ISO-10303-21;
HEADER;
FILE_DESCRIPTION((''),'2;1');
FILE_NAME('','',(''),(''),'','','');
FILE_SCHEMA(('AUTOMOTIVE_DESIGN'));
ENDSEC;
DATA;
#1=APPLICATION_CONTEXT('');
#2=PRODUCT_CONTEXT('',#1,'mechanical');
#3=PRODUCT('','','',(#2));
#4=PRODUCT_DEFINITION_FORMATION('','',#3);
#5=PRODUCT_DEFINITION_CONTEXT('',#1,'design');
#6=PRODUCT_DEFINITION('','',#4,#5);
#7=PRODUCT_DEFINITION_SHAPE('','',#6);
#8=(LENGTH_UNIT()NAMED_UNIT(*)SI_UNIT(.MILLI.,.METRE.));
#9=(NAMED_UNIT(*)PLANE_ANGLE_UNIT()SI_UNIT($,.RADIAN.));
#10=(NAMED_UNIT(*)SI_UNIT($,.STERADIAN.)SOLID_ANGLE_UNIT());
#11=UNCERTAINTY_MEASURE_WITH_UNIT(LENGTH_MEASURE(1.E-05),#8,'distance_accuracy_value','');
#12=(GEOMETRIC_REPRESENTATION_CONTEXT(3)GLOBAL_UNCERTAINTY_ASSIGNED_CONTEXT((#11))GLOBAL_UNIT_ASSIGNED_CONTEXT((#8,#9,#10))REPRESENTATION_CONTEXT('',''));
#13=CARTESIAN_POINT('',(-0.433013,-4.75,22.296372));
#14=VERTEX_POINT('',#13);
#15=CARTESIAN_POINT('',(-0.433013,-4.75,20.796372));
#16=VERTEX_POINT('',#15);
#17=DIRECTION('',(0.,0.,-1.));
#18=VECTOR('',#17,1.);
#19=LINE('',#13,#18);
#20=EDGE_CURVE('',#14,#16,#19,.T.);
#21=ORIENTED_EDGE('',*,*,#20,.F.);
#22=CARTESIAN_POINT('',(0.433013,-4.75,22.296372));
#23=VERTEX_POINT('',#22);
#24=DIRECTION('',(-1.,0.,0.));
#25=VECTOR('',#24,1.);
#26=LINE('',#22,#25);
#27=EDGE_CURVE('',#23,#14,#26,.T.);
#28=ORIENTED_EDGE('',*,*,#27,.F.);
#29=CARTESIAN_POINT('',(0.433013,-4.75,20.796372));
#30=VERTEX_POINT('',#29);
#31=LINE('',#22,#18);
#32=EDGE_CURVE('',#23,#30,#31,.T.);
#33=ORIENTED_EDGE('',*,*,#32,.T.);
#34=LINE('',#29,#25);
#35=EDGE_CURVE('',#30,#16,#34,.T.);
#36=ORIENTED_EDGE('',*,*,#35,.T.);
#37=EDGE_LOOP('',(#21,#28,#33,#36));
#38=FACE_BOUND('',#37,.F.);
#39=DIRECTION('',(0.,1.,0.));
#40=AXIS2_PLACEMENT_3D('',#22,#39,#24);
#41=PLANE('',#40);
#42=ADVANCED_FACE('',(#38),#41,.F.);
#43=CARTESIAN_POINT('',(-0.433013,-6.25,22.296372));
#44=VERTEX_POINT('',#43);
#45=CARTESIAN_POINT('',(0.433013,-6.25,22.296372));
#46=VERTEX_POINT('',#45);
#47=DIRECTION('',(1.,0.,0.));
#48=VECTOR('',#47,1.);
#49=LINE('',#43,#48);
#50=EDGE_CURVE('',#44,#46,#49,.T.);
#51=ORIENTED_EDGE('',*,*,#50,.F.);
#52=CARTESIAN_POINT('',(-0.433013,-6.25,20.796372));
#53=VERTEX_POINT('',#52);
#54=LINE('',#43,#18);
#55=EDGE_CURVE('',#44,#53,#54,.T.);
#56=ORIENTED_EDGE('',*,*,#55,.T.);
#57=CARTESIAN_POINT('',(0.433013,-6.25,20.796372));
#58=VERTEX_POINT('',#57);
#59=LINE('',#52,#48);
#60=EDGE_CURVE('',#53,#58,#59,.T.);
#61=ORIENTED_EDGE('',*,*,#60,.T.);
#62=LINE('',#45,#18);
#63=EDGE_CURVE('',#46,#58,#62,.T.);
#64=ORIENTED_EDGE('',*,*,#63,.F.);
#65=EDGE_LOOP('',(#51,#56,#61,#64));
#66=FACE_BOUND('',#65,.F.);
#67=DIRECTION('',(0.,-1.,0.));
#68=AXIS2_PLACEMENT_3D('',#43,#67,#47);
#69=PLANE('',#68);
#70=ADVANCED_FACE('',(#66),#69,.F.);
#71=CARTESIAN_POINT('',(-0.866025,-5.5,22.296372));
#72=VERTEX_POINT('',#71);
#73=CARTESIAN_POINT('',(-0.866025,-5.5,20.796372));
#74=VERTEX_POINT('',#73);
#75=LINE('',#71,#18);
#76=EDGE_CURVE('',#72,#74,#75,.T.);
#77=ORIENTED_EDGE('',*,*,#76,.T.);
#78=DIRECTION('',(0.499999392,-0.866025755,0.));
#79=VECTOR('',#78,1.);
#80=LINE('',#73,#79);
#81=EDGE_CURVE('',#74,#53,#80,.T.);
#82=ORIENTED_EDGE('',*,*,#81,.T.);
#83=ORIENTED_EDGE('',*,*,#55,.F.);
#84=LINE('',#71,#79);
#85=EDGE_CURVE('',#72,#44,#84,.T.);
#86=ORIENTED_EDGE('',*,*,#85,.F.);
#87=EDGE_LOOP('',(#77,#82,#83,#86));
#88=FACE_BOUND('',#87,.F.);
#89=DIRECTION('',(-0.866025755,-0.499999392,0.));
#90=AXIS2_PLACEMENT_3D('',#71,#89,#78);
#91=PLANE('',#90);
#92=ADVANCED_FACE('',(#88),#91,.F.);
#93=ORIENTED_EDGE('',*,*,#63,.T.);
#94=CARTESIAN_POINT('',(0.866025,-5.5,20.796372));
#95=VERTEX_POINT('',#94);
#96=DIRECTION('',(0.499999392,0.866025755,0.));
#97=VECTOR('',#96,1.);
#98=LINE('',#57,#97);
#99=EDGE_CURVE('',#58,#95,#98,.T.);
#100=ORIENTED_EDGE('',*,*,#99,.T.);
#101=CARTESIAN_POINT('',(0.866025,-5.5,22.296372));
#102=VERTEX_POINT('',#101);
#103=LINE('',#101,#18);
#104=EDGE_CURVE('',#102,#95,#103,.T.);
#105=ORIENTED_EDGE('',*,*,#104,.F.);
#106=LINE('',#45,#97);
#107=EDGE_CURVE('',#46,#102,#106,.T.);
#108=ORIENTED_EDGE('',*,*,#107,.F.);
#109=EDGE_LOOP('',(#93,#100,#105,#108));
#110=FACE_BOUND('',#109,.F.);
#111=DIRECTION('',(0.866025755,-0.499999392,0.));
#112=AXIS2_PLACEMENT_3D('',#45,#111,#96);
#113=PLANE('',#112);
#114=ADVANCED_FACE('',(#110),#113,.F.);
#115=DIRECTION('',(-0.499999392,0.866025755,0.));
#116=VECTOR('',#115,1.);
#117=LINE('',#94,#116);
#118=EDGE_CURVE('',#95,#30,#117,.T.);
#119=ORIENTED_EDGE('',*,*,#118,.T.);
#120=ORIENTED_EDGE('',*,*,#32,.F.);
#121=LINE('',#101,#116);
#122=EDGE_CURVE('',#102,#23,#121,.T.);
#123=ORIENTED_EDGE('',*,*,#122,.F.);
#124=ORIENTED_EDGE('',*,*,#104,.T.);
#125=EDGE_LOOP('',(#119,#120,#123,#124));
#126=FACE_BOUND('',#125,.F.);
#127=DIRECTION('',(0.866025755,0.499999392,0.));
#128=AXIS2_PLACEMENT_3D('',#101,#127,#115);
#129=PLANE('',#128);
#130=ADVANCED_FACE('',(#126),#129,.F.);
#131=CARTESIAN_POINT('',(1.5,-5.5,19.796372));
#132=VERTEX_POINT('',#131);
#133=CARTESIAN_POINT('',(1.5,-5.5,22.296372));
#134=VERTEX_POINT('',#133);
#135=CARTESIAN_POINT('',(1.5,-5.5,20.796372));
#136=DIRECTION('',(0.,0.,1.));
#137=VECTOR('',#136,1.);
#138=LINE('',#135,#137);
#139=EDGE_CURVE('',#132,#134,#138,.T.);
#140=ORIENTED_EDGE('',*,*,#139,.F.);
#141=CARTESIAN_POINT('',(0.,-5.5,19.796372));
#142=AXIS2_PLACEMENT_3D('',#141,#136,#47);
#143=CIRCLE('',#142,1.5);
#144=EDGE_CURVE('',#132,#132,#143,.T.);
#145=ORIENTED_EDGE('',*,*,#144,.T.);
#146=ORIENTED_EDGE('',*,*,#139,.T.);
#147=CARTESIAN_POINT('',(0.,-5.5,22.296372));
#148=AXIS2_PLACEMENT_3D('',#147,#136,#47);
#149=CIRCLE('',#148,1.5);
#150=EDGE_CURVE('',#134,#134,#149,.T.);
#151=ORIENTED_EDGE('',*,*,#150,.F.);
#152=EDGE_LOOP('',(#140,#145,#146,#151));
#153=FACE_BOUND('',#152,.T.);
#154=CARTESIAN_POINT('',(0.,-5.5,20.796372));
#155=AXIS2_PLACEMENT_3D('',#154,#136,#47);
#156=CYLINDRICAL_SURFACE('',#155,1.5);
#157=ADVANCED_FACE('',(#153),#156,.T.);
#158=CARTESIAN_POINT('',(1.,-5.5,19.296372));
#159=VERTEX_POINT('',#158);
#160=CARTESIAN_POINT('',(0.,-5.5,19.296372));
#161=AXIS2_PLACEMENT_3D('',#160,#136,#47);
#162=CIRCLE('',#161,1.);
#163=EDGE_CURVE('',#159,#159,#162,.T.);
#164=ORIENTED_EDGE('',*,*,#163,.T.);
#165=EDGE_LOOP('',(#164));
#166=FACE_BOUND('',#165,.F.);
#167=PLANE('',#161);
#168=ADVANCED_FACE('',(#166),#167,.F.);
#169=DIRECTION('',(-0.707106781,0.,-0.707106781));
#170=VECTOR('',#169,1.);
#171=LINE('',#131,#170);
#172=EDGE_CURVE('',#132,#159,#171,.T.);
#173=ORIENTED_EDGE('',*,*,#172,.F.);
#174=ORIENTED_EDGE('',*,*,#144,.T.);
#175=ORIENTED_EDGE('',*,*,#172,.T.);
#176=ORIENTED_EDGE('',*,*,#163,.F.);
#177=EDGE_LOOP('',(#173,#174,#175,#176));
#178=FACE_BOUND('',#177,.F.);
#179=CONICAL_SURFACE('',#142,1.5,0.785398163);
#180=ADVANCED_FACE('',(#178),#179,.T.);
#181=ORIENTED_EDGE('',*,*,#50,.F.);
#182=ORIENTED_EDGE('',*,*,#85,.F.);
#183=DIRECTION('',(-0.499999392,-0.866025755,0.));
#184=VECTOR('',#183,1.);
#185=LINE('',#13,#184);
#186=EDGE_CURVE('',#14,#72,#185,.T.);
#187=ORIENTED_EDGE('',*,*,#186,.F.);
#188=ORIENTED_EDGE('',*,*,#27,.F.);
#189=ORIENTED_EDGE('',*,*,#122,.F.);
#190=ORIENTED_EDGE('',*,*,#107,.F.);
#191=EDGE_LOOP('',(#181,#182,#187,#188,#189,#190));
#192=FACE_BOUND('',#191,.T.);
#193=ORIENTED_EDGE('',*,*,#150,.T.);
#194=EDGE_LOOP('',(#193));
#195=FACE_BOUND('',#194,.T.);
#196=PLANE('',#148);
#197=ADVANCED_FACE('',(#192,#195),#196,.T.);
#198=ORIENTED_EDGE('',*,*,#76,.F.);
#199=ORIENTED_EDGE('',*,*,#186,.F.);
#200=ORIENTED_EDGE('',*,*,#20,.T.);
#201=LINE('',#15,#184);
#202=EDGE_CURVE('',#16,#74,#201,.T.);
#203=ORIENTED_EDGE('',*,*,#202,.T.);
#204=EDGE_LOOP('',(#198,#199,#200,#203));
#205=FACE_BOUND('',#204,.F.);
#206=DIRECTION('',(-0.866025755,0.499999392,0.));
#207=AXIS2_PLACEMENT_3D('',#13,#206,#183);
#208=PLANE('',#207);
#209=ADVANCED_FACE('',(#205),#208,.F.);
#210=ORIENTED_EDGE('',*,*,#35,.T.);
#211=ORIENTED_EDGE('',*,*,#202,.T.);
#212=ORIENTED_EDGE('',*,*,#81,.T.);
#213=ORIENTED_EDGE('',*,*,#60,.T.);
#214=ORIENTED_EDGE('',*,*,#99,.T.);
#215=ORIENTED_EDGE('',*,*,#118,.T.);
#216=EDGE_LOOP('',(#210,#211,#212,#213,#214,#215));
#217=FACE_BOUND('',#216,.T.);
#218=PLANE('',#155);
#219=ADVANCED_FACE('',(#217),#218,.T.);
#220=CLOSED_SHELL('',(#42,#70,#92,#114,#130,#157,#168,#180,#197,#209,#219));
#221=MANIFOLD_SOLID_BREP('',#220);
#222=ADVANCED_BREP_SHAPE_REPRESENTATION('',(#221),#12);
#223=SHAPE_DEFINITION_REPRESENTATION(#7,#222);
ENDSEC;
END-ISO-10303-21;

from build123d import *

# Parameters (mm, degrees)
SKETCH016_W     = 1.5
SKETCH016_H     = 3
CHAMFER001_SIZE = 0.5
POCKET010_DEPTH = 1.5


with BuildPart() as part:
    # Sketch016 (on Face1 of Binder001) → Revolution001 (revolve)
    with BuildSketch(Plane(origin=(0, -5.5, 0), x_dir=(-1, 0, 0), z_dir=(0, 1, 0))):
        with Locations((-0.75, 20.796372)):
            Rectangle(SKETCH016_W, SKETCH016_H)
    revolve(axis=Axis((0, -5.5, 0), (0, 0, 1)))

    # Chamfer001
    chamfer001_edges = [part.edges().sort_by_distance(p)[0] for p in [
        (-1.5, -5.5, 19.296372),
    ]]
    chamfer(chamfer001_edges, length=CHAMFER001_SIZE)

    # Sketch017 (on Face4 of Chamfer001) → Pocket010 (cut)
    with BuildSketch(Plane.XY.offset(22.296372)):
        Polygon((-0.433013, -4.75), (-0.866025, -5.5), (-0.433013, -6.25), (0.433013, -6.25), (0.866025, -5.5), (0.433013, -4.75), align=None)
    extrude(amount=-POCKET010_DEPTH, mode=Mode.SUBTRACT)


solid = part.part
